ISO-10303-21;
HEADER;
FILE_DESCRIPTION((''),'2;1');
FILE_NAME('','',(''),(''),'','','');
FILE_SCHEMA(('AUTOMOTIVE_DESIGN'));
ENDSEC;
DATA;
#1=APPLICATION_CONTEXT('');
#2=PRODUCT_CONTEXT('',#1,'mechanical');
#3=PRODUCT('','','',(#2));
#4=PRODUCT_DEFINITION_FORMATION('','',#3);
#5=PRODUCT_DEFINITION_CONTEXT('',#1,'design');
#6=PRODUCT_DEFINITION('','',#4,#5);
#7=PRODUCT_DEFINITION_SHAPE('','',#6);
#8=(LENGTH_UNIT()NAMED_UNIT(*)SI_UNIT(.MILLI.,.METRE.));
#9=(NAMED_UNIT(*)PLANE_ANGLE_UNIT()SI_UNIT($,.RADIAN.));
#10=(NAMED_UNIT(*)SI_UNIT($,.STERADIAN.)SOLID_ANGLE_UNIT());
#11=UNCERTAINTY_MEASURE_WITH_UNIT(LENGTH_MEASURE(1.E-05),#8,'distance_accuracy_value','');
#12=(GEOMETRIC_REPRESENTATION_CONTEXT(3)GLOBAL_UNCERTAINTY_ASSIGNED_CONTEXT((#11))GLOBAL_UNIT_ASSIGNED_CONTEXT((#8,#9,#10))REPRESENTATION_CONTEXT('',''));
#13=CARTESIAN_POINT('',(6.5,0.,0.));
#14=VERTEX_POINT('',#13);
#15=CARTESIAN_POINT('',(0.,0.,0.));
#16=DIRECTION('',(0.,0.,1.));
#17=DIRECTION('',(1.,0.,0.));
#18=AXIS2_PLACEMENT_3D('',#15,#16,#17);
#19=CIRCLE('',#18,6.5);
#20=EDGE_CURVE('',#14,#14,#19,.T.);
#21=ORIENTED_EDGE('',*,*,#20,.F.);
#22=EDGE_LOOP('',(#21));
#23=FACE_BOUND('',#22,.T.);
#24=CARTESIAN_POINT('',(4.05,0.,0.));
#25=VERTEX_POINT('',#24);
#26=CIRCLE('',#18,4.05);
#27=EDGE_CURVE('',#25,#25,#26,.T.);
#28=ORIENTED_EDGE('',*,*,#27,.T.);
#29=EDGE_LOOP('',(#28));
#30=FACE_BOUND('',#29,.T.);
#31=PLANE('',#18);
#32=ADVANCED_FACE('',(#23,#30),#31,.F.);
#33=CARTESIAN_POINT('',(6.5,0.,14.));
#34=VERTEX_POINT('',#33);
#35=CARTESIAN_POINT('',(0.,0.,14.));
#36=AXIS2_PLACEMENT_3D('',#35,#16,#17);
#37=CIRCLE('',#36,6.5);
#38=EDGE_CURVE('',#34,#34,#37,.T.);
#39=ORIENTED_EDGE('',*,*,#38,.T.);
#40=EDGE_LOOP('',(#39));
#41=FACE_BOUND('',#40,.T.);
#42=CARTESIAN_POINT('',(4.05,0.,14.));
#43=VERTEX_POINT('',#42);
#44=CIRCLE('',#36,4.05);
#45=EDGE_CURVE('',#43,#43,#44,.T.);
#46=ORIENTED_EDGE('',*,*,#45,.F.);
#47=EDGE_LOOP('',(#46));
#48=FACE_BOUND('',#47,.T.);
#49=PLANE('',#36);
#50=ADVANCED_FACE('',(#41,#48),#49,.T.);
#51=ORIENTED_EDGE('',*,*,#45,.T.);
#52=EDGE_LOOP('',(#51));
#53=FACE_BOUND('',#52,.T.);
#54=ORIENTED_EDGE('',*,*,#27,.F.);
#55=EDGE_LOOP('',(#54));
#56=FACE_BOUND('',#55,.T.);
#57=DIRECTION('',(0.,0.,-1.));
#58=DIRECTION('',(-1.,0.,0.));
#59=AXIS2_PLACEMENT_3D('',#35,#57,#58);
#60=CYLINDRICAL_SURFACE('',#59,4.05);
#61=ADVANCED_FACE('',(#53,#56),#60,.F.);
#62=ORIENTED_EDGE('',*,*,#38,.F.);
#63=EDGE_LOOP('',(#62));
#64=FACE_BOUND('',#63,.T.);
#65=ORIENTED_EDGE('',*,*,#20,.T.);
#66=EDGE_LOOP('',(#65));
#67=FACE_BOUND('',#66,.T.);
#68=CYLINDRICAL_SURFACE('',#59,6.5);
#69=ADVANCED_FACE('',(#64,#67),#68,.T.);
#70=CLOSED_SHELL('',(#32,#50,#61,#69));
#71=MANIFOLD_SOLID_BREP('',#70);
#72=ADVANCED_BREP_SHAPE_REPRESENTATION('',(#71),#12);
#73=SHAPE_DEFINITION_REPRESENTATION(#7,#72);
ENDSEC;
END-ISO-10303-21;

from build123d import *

# Parameters (mm, degrees)
CROQUIS1_R              = 6.5
CROQUIS1_R_2            = 4.05
SALIENTE_EXTRUIR1_DEPTH = 14


with BuildPart() as part:
    # Croquis1 → Saliente-Extruir1 (new body)
    with BuildSketch(Plane.XY):
        Circle(CROQUIS1_R)
        Circle(CROQUIS1_R_2, mode=Mode.SUBTRACT)
    extrude(amount=SALIENTE_EXTRUIR1_DEPTH)


solid = part.part
